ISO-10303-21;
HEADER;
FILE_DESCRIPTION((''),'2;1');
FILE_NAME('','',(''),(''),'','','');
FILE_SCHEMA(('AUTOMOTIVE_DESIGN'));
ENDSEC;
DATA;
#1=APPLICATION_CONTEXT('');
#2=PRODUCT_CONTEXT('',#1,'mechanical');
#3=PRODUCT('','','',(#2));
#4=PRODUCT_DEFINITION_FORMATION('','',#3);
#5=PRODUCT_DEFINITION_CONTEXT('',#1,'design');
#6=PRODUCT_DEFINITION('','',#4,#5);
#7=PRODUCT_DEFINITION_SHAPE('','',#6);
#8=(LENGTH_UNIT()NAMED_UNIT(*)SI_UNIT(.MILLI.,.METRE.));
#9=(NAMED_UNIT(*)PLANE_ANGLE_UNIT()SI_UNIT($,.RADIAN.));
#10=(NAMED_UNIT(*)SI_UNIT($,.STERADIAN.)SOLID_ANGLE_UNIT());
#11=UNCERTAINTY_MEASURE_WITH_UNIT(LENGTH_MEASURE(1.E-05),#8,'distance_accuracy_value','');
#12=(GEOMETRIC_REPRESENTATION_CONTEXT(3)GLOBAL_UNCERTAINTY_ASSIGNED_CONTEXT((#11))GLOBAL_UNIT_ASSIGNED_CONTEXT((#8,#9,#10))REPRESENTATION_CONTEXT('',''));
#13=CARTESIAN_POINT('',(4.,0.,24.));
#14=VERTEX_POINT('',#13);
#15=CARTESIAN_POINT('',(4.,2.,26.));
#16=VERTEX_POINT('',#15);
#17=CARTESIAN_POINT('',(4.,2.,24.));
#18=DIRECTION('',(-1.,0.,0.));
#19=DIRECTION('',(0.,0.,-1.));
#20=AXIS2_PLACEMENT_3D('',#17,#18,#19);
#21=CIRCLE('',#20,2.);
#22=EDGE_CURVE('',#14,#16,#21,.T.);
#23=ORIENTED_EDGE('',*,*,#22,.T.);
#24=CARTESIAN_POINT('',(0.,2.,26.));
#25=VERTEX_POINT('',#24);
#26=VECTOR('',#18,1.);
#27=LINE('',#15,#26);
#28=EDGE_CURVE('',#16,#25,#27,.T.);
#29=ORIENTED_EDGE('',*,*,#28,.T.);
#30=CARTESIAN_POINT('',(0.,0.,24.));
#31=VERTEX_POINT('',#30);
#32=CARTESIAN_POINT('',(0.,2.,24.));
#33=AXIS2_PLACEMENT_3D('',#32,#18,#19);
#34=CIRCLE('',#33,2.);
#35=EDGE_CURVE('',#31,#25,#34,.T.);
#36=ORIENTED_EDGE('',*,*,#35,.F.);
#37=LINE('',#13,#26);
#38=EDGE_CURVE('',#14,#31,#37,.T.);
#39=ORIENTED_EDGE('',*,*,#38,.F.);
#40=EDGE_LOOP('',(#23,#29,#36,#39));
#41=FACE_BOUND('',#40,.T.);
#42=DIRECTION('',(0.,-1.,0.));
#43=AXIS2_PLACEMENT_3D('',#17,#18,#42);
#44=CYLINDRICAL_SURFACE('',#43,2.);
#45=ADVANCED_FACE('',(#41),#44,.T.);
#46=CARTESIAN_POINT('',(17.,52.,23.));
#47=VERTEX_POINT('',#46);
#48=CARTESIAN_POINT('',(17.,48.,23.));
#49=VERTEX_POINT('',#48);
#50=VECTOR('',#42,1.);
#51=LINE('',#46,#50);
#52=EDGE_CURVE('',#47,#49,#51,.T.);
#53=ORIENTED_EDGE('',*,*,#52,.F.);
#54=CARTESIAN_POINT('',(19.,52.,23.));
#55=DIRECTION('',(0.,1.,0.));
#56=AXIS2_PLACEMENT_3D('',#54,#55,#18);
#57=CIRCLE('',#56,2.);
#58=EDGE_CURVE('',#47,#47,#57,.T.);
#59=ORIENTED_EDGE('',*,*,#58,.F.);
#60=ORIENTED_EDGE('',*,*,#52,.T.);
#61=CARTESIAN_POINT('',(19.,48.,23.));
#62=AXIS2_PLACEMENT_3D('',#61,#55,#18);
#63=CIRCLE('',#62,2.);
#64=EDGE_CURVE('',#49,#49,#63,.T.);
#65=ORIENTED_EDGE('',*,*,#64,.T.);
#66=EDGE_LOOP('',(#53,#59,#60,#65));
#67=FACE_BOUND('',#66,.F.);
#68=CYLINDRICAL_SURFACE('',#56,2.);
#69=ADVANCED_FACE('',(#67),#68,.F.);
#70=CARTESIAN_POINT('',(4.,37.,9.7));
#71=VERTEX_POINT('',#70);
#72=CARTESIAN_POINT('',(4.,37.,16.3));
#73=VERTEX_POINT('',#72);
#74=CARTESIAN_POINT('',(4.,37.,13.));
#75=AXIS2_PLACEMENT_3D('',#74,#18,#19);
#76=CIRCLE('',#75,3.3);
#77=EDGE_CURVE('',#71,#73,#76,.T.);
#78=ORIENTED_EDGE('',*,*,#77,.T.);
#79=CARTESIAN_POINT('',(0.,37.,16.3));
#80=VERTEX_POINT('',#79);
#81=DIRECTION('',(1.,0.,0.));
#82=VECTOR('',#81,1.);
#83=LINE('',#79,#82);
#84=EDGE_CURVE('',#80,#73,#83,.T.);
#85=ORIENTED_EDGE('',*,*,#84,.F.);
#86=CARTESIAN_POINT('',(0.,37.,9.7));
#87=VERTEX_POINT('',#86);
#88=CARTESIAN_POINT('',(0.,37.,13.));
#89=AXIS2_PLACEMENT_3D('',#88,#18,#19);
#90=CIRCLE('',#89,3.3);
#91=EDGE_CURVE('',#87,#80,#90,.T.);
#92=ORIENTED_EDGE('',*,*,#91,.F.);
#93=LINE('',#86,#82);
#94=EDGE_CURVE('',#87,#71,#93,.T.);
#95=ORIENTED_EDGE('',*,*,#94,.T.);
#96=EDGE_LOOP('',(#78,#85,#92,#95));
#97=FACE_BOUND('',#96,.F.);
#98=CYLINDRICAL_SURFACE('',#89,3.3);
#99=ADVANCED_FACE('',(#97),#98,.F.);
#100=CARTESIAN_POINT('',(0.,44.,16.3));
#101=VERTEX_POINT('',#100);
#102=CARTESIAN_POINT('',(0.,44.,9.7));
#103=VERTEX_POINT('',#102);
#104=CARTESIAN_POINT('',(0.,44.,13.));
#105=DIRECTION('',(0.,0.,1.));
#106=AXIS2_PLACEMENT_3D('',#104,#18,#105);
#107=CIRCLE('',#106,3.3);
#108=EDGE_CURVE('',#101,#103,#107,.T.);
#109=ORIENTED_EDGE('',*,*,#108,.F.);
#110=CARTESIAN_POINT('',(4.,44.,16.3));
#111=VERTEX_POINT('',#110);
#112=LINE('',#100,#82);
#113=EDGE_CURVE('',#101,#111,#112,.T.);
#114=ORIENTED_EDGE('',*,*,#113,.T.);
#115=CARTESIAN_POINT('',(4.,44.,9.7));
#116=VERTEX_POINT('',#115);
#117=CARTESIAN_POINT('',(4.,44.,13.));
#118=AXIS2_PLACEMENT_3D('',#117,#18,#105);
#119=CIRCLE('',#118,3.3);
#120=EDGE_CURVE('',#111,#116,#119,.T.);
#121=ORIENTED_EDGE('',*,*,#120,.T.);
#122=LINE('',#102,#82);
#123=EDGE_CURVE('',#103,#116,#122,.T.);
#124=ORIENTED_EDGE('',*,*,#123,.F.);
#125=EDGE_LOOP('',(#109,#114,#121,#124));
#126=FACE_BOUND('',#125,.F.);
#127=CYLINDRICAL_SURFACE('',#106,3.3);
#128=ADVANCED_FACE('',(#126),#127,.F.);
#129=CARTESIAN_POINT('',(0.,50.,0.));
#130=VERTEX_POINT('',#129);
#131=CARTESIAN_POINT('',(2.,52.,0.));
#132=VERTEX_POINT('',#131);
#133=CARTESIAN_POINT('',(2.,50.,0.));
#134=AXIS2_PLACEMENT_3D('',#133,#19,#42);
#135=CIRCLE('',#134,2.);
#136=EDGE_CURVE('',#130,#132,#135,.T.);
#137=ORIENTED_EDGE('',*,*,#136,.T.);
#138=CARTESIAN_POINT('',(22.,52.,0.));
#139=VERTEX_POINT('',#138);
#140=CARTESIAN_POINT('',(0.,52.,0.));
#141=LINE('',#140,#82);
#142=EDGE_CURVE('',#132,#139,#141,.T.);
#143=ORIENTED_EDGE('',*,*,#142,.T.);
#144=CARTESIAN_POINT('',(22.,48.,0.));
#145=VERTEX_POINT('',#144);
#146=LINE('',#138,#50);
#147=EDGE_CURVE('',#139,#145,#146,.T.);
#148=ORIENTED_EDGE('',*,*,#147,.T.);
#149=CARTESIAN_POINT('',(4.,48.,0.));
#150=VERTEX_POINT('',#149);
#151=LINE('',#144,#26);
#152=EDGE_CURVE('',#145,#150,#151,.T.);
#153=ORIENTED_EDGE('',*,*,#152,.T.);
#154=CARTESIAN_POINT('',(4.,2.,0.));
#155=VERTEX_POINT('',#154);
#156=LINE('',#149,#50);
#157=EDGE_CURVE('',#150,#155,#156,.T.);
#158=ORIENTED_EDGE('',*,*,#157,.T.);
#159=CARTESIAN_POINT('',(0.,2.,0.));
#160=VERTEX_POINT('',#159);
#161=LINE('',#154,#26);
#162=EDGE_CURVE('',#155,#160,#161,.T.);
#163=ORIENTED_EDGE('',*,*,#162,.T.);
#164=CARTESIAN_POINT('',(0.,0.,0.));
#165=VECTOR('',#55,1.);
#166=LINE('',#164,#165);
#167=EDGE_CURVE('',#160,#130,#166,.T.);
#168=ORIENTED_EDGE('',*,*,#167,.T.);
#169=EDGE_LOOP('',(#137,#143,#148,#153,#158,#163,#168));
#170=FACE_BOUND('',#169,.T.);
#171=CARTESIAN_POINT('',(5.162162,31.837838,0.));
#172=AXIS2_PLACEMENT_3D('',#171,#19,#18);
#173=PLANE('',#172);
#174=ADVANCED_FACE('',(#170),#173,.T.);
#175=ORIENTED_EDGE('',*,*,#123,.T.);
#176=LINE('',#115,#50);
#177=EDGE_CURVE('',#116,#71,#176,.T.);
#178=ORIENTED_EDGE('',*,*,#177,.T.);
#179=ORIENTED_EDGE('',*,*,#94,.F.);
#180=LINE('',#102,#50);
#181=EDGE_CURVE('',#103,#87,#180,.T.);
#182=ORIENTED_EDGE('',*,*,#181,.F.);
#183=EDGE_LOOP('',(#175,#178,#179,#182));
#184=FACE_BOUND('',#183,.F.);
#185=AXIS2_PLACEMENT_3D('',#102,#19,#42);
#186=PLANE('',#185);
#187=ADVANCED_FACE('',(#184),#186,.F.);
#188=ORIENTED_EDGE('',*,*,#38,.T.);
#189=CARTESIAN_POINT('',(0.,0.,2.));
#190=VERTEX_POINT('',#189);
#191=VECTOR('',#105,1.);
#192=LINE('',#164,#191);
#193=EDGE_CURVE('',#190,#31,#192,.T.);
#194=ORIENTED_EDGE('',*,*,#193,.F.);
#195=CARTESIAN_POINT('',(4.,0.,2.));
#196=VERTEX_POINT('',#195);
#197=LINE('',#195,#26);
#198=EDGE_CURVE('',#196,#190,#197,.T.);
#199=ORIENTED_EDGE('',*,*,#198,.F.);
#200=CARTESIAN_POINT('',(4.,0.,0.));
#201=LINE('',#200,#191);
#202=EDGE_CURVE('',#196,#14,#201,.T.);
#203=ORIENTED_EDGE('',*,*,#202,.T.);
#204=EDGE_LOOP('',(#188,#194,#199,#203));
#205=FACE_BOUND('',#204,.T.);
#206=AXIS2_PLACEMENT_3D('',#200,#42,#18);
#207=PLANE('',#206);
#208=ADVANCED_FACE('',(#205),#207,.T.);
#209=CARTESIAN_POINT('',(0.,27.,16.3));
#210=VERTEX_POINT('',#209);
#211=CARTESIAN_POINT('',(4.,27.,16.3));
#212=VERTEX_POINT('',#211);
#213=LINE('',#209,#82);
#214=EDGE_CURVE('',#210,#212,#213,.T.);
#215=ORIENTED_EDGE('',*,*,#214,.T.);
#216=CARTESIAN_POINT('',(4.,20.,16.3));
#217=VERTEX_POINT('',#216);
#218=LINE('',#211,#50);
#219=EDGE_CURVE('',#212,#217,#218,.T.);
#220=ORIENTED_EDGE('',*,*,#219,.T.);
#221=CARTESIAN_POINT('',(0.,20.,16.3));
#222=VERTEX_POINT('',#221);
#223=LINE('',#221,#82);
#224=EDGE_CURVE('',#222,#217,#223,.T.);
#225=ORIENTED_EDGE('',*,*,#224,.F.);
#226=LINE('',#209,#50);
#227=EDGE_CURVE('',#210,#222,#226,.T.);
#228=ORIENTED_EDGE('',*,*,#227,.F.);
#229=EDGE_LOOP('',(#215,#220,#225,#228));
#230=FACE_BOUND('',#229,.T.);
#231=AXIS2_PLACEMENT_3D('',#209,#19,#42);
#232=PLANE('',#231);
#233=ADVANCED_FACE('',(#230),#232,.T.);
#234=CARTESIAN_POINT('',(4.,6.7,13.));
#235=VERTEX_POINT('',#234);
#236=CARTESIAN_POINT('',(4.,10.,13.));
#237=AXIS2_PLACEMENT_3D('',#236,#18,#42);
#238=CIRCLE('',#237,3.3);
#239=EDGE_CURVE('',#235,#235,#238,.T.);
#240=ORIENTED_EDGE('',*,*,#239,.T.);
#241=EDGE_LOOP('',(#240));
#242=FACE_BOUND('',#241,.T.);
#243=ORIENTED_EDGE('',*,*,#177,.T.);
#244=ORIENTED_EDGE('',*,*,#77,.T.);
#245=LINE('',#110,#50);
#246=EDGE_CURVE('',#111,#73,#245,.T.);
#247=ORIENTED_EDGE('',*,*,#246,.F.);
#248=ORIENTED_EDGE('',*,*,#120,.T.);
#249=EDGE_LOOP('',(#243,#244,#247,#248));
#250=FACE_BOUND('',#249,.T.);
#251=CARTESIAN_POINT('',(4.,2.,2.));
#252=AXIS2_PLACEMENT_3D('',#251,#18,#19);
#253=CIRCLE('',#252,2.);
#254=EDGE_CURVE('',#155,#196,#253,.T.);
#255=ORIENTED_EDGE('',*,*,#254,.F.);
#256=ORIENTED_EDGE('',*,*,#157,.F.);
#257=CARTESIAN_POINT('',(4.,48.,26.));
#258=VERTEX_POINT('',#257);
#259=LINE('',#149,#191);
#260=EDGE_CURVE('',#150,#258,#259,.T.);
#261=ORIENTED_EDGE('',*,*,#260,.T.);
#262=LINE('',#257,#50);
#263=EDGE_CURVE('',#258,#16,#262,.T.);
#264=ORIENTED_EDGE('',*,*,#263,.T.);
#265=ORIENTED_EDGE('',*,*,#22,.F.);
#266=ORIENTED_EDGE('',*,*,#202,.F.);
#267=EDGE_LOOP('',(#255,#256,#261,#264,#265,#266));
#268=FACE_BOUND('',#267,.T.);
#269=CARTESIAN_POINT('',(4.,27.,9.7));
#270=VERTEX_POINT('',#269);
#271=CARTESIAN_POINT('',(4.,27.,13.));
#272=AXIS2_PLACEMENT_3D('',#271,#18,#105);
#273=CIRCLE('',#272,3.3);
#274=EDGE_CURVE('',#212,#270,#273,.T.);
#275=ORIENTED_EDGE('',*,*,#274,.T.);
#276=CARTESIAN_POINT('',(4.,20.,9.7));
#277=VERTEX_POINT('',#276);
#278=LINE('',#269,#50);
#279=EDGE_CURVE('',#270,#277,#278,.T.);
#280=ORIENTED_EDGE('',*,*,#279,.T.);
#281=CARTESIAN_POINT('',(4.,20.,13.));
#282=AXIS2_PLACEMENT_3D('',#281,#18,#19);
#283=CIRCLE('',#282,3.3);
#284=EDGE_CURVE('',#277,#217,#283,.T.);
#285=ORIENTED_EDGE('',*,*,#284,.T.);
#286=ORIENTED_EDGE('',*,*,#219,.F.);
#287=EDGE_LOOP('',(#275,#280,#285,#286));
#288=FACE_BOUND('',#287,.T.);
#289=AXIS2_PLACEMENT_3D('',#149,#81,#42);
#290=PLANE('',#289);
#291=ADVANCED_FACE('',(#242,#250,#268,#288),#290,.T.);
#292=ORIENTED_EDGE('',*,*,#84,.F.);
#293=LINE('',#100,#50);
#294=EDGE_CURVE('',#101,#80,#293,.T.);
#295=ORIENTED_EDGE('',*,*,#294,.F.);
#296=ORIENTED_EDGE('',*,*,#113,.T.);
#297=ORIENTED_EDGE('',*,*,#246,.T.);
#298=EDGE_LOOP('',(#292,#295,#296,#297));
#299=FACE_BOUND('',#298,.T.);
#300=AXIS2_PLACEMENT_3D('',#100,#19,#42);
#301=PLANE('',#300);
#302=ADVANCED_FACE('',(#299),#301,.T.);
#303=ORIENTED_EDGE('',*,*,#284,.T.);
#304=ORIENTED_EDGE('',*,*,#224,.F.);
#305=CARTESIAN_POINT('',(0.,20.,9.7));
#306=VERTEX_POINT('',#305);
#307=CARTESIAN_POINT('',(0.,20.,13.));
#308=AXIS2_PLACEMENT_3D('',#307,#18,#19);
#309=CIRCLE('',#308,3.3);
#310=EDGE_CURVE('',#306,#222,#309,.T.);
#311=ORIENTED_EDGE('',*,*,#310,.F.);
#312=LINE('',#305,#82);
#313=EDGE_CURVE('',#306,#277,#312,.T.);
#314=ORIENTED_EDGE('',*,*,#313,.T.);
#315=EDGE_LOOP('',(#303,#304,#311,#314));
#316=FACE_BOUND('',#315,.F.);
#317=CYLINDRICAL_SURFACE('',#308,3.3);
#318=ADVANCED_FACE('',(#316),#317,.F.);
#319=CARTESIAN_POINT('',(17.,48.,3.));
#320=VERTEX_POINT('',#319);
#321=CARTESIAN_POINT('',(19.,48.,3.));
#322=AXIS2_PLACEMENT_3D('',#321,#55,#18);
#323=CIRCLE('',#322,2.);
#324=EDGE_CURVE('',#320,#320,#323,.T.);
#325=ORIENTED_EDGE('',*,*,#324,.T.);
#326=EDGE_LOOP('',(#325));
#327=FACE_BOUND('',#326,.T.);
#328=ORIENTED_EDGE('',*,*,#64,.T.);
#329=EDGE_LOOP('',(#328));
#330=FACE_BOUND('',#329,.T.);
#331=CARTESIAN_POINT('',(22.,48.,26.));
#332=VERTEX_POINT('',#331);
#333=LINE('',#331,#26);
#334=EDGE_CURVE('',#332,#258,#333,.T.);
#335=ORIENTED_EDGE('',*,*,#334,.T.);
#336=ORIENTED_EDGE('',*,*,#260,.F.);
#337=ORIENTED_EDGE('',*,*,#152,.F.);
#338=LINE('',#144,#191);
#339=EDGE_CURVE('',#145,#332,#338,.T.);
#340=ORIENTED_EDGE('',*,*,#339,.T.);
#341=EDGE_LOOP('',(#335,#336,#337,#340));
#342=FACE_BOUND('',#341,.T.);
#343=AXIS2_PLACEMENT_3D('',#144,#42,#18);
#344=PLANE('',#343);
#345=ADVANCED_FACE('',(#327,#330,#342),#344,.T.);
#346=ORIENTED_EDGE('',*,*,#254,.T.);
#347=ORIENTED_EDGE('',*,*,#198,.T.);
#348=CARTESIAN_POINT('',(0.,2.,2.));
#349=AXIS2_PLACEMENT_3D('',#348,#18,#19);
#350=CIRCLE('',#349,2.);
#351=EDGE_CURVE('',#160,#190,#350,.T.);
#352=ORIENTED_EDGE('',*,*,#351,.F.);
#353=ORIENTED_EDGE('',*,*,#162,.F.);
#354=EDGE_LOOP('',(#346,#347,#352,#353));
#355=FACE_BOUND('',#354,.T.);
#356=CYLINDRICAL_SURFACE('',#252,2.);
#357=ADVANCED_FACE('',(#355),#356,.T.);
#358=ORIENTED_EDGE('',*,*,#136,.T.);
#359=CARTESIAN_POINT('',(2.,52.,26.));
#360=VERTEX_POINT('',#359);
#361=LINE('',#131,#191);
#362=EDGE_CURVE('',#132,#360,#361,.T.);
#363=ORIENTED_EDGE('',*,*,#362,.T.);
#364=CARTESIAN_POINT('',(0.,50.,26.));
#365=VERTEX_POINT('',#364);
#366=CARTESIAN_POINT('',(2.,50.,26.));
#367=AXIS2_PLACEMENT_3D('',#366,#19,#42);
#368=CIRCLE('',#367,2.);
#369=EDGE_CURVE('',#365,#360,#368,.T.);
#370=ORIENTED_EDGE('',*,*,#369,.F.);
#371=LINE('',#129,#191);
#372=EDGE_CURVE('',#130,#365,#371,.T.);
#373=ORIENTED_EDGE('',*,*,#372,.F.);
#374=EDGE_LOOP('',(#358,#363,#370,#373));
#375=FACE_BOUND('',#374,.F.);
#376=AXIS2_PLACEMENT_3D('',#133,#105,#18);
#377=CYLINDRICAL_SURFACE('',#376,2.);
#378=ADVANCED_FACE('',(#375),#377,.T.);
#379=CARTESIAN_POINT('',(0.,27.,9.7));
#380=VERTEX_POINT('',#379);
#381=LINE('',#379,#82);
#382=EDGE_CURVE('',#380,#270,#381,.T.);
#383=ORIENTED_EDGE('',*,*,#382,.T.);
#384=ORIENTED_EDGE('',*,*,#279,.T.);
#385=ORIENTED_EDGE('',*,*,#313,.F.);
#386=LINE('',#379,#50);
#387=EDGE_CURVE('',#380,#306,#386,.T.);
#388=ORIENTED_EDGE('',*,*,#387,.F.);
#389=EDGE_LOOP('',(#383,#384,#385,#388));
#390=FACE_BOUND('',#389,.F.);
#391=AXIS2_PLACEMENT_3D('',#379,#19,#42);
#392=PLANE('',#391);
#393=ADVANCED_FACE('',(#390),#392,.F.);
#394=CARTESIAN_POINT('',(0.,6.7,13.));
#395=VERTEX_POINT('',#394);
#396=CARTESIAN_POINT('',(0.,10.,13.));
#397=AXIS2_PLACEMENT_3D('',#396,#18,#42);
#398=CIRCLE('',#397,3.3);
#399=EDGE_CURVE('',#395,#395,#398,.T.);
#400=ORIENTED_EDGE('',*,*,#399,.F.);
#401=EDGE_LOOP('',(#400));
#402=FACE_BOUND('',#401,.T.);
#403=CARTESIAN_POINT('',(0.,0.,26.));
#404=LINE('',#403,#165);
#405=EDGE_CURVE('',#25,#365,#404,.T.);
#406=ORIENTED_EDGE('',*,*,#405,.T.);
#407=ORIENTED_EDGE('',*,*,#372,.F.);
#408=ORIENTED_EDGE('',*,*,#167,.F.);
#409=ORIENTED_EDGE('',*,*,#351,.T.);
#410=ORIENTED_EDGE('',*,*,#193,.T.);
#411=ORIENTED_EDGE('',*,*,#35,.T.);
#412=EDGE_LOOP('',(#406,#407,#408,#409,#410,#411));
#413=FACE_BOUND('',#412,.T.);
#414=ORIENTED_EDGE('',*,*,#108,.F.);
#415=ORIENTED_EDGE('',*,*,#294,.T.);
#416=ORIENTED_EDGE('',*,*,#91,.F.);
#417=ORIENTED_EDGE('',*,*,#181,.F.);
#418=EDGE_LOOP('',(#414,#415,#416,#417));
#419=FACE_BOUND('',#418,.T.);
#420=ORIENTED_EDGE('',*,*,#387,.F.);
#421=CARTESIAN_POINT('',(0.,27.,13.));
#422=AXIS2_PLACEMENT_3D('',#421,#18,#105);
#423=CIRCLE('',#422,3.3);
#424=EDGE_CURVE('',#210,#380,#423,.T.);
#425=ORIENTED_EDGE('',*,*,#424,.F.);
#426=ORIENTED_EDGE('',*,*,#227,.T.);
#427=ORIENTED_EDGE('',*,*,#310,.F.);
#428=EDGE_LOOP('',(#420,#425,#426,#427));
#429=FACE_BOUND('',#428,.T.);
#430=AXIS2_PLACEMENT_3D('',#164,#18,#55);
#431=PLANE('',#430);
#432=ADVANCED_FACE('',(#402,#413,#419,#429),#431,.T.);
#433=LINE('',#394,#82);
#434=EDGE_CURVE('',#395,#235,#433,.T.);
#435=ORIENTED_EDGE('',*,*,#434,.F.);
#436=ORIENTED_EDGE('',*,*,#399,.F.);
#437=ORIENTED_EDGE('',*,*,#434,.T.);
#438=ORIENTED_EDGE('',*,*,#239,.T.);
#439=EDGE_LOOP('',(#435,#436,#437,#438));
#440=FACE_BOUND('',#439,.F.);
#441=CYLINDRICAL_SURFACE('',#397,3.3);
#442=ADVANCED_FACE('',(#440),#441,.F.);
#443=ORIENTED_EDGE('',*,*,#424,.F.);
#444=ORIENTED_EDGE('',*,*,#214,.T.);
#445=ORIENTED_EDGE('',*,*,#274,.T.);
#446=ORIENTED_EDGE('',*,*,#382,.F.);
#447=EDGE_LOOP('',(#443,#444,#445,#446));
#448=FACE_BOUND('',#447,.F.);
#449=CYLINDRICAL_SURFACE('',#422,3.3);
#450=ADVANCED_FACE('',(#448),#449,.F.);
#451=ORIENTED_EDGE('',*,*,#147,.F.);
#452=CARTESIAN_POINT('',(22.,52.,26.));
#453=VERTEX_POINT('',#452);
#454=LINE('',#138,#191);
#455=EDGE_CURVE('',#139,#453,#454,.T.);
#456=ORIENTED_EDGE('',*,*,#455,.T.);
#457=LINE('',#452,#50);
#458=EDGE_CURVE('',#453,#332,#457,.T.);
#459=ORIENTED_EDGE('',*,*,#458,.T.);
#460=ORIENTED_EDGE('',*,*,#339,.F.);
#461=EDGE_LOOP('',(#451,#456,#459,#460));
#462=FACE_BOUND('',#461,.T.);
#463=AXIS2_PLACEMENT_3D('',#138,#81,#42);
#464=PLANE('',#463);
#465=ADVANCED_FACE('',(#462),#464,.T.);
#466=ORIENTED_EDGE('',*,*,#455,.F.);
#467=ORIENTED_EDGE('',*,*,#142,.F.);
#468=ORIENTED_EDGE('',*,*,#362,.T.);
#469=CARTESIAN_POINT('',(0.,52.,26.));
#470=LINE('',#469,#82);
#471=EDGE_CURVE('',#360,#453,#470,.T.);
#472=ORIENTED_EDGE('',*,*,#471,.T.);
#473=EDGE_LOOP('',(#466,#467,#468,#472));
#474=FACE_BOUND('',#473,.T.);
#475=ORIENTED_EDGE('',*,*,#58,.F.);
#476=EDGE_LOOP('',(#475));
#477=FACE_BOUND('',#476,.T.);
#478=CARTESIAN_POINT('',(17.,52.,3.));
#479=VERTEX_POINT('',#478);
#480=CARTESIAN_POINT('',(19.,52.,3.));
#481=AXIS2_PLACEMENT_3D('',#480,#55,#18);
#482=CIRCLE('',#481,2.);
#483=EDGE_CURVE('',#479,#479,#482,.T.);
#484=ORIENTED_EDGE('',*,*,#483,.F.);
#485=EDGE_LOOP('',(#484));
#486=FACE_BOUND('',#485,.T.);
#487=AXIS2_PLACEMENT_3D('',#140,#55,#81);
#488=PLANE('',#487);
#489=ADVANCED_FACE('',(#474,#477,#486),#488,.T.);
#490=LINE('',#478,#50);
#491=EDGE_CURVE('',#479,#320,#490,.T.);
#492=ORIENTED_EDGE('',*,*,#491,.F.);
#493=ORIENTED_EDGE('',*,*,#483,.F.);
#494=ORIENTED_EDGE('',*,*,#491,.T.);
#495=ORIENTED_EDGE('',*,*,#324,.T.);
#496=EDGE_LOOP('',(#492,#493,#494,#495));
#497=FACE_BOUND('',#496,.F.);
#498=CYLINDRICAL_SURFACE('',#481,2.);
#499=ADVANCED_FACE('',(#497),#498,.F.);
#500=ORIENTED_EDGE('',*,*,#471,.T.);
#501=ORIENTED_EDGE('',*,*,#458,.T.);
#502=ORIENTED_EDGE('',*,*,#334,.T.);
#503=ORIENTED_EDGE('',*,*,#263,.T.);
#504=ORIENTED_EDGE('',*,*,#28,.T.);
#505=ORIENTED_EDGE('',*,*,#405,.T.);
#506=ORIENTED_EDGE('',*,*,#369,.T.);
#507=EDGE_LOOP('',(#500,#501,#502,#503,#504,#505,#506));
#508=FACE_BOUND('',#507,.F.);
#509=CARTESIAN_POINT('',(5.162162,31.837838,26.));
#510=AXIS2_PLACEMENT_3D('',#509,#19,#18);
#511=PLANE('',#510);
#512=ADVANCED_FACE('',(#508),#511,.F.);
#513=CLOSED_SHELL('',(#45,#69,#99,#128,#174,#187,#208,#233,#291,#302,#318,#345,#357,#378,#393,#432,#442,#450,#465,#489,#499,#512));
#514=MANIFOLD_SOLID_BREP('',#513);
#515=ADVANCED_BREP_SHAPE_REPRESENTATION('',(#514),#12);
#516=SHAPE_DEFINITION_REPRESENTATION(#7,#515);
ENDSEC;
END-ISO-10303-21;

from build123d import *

# Parameters (mm, degrees)
PAD_DEPTH       = 26
SKETCH001_R     = 2
POCKET_DEPTH    = 4
SKETCH002_R     = 3.3
POCKET001_DEPTH = 4
FILLET_R        = 2
FILLET001_R     = 2
FILLET002_R     = 2


with BuildPart() as part:
    # Sketch → Pad (new body)
    with BuildSketch(Plane.XY):
        Polygon((0, 0), (0, 52), (22, 52), (22, 48), (4, 48), (4, 0), align=None)
    extrude(amount=PAD_DEPTH)

    # Sketch001 (on Face2 of Pad) → Pocket (cut)
    with BuildSketch(Plane(origin=(0, 52, 0), x_dir=(-1, 0, 0), z_dir=(0, 1, 0))):
        with Locations((-19, 3)):
            Circle(SKETCH001_R)
        with Locations((-19, 23)):
            Circle(SKETCH001_R)
    extrude(amount=-POCKET_DEPTH, mode=Mode.SUBTRACT)

    # Sketch002 (on Face1 of Pocket) → Pocket001 (cut)
    with BuildSketch(Plane(origin=(0, 0, 0), x_dir=(0, -1, 0), z_dir=(-1, 0, 0))):
        with Locations((-10, 13)):
            Circle(SKETCH002_R)
        with BuildLine():
            ThreePointArc((-27, 16.3), (-30.3, 13), (-27, 9.7))
            Line((-27, 9.7), (-20, 9.7))
            ThreePointArc((-20, 9.7), (-16.7, 13), (-20, 16.3))
            Line((-27, 16.3), (-20, 16.3))
        make_face()
        with BuildLine():
            ThreePointArc((-44, 16.3), (-47.3, 13), (-44, 9.7))
            Line((-44, 9.7), (-37, 9.7))
            ThreePointArc((-37, 9.7), (-33.7, 13), (-37, 16.3))
            Line((-44, 16.3), (-37, 16.3))
        make_face()
    extrude(amount=-POCKET001_DEPTH, mode=Mode.SUBTRACT)

    # Fillet
    fillet_edges = [part.edges().sort_by_distance(p)[0] for p in [
        (0, 52, 13),
    ]]
    fillet(fillet_edges, radius=FILLET_R)

    # Fillet001
    fillet001_edges = [part.edges().sort_by_distance(p)[0] for p in [
        (2, 0, 0),
    ]]
    fillet(fillet001_edges, radius=FILLET001_R)

    # Fillet002
    fillet002_edges = [part.edges().sort_by_distance(p)[0] for p in [
        (2, 0, 26),
    ]]
    fillet(fillet002_edges, radius=FILLET002_R)


solid = part.part
